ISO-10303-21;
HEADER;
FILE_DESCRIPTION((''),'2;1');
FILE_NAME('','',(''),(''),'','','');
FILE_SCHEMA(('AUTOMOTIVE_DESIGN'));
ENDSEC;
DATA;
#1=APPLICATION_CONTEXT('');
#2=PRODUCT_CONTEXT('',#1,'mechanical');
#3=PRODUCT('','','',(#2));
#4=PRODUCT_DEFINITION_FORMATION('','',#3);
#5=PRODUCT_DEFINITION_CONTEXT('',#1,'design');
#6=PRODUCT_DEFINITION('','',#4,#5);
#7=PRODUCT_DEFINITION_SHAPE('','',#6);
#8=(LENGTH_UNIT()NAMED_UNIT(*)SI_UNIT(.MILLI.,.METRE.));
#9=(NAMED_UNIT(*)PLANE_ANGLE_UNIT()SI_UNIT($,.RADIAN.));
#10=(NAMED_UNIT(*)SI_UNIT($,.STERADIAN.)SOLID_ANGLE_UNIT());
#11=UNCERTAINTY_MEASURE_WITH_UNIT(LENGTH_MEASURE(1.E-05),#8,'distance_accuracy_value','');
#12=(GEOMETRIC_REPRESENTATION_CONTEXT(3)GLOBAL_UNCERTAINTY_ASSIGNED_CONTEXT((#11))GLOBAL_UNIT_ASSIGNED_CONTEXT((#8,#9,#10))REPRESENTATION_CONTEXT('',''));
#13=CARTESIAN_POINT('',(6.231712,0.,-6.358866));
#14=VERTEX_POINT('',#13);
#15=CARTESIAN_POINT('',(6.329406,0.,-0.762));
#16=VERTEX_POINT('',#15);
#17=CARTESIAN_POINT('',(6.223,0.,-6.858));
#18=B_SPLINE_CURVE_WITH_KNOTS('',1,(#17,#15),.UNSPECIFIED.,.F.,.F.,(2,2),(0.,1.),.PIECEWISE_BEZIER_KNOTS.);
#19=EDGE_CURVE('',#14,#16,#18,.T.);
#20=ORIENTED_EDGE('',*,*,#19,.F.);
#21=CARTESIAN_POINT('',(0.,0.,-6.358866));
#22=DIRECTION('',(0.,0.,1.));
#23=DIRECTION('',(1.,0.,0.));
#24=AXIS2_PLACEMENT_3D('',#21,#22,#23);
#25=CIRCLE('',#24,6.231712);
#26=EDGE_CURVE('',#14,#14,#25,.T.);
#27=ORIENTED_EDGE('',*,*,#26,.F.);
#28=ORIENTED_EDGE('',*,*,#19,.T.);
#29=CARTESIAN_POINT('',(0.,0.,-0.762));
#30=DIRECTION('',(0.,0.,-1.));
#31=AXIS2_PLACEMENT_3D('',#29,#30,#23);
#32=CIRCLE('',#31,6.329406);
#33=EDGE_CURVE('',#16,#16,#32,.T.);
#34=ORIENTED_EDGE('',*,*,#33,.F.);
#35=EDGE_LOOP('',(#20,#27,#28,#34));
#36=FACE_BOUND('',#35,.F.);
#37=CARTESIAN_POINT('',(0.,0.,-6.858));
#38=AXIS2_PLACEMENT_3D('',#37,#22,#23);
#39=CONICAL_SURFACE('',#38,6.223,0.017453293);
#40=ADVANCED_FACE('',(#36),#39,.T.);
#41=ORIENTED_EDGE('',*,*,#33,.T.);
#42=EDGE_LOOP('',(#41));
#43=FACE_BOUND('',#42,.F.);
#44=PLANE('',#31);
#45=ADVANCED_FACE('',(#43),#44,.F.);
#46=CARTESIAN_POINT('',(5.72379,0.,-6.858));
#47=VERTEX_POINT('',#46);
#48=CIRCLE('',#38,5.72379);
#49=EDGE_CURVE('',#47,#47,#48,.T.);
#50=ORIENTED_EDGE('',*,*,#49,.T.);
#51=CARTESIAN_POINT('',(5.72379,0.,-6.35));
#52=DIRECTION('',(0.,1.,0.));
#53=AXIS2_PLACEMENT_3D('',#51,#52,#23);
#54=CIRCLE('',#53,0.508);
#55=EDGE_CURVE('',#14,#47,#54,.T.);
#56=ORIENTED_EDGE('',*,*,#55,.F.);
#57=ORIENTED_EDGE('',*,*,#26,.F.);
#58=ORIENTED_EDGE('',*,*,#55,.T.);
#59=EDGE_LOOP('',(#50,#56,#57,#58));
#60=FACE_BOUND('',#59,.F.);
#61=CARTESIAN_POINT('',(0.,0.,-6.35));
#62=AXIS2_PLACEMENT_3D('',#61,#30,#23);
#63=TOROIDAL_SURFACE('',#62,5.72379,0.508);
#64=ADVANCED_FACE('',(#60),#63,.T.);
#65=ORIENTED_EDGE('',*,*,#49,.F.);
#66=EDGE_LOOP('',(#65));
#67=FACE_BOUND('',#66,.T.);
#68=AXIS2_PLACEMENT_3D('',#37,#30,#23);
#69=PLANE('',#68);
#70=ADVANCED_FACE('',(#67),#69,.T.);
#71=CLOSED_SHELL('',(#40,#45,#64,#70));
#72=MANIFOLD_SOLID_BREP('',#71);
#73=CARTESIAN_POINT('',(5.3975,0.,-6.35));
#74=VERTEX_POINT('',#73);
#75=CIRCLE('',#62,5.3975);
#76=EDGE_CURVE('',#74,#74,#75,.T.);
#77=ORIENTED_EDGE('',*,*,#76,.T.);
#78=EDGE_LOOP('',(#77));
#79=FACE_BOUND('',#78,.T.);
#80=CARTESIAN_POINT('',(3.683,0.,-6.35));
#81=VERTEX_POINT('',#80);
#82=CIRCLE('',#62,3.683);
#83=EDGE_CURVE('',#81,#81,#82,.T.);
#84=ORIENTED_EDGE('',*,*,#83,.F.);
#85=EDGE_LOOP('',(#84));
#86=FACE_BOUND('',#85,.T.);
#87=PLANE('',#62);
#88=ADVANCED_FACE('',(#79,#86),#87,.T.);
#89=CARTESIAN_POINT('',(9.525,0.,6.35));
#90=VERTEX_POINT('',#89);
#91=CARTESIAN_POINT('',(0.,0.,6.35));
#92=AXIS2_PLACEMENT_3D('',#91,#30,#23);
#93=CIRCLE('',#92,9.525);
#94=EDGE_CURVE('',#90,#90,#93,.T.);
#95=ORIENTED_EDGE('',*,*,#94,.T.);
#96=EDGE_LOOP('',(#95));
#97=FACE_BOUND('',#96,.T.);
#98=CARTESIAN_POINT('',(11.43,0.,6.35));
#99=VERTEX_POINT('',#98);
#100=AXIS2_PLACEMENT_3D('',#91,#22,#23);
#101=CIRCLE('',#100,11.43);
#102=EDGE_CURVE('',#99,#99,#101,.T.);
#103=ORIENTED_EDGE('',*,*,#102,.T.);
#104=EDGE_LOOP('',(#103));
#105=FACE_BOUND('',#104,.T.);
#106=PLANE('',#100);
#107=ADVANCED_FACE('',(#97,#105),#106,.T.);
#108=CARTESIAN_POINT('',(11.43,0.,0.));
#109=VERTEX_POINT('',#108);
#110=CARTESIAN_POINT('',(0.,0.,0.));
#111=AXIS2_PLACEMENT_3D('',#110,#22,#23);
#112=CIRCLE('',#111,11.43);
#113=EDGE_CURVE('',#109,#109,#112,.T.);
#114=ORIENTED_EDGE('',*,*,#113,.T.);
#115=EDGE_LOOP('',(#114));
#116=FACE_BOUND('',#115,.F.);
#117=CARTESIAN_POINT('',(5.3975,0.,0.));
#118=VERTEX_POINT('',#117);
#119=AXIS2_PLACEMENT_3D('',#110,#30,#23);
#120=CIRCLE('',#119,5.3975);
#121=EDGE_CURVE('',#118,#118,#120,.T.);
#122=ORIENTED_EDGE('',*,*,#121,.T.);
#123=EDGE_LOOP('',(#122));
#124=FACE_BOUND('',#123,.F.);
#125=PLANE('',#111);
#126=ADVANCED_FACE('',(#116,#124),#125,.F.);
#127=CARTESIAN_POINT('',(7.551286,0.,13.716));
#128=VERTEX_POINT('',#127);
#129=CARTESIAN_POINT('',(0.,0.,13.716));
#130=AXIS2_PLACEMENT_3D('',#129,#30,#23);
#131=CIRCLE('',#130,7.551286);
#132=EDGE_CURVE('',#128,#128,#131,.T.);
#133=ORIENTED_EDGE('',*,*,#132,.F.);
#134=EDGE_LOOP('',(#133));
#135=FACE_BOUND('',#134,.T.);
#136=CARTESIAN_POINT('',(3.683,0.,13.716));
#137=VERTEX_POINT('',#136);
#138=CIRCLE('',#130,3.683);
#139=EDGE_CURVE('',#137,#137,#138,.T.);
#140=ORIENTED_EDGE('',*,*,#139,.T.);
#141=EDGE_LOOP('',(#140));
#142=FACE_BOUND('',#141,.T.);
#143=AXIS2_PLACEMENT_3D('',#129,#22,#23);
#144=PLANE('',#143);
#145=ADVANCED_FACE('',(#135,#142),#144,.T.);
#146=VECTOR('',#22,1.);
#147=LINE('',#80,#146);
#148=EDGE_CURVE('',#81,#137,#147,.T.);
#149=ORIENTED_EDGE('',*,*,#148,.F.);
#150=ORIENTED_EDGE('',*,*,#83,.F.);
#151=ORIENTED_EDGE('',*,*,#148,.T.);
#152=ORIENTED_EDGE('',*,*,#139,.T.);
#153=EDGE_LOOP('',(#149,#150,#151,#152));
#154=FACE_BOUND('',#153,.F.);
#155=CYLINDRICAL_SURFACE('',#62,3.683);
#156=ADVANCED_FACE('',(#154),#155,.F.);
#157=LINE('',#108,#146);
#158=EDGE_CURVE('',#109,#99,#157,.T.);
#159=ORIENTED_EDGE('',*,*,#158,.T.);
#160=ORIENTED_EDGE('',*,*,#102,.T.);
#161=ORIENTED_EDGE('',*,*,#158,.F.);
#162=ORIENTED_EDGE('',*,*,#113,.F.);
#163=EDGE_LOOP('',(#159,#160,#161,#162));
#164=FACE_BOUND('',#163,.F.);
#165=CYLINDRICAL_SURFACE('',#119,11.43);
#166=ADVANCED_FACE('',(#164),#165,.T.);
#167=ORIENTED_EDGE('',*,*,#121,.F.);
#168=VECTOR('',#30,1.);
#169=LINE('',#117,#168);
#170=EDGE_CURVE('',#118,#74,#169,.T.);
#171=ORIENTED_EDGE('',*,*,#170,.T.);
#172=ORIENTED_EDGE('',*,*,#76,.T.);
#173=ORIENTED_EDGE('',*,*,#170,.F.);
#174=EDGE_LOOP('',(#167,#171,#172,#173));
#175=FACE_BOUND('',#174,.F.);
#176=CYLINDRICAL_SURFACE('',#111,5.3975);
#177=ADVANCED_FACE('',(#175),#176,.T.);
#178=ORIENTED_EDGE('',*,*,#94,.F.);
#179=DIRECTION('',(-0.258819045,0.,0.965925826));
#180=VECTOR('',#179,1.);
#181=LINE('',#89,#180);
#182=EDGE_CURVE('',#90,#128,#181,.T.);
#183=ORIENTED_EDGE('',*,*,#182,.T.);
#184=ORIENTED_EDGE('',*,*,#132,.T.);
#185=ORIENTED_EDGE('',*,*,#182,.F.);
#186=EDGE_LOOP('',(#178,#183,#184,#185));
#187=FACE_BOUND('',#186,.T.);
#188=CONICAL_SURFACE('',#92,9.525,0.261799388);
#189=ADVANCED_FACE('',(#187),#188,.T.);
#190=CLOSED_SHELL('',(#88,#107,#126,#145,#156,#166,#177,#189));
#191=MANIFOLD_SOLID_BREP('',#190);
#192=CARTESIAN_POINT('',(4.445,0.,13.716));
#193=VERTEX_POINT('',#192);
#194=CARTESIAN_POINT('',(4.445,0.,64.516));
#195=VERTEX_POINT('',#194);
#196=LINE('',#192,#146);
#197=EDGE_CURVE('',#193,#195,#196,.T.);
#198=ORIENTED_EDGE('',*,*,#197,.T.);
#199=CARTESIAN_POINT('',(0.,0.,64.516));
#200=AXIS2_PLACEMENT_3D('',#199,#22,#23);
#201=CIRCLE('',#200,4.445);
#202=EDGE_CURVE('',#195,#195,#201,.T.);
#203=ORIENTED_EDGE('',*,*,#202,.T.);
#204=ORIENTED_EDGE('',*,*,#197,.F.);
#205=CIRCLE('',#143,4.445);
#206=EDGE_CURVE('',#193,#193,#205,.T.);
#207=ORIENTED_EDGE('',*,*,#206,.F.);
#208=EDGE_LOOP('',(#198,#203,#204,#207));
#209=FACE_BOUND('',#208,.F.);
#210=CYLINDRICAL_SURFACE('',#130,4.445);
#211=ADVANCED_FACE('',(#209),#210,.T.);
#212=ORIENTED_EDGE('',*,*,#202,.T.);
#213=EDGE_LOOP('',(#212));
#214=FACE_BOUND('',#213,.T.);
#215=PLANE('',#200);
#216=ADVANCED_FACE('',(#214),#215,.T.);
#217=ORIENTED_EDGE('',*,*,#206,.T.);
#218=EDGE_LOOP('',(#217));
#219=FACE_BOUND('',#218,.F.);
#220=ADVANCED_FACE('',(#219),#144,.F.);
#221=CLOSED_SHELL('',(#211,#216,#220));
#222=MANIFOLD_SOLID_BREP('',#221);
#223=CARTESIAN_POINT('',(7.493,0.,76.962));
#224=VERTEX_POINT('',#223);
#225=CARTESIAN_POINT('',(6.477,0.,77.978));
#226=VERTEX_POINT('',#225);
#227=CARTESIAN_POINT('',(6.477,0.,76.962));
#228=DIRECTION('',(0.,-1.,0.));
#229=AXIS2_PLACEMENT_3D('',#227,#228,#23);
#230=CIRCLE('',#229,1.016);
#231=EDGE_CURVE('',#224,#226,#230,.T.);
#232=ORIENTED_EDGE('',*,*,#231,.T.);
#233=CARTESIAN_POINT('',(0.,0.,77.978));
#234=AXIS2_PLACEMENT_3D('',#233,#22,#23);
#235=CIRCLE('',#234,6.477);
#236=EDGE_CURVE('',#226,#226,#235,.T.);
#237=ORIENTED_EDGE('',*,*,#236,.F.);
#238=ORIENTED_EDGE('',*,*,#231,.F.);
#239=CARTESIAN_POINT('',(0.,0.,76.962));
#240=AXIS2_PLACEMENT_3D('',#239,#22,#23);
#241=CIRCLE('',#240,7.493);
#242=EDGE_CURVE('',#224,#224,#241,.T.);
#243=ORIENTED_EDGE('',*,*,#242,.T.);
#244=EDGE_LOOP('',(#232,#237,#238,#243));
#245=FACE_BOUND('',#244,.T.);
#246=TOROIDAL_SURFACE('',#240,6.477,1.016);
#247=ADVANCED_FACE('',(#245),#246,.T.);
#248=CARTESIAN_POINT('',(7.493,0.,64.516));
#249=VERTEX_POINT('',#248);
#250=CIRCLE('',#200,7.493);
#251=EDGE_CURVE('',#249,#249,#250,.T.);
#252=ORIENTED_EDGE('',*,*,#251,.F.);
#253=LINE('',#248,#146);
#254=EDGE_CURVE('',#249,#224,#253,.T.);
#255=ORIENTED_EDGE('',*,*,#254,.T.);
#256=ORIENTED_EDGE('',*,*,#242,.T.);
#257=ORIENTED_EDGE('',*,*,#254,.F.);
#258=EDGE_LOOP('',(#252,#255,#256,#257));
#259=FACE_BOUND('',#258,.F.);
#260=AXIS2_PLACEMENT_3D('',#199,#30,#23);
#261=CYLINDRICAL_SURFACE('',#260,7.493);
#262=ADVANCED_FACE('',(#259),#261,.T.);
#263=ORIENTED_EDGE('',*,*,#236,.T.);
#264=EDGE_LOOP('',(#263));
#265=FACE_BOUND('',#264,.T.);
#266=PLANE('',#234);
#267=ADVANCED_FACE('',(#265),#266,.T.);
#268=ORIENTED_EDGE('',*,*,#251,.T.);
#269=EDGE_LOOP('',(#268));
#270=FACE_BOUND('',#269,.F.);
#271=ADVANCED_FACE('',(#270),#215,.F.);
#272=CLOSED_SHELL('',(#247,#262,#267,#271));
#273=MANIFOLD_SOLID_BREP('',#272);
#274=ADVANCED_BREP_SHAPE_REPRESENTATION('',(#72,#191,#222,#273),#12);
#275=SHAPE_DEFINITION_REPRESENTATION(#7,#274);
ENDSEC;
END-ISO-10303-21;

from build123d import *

# Parameters (mm, degrees)
F0_R      = 11.43
F1_DEPTH  = 6.35
F2_R      = 9.525
F3_DEPTH  = 7.366
F3_TAPER  = 15
F4_R      = 5.3975
F5_DEPTH  = 6.35
F6_R      = 3.683
F7_DEPTH  = 20.067
F8_R      = 4.445
F9_DEPTH  = 50.8
F10_R     = 7.493
F11_DEPTH = 13.462
F12_R     = 1.016
F14_R     = 6.223
F15_DEPTH = 6.096
F15_TAPER = -1
F16_R     = 0.508


with BuildPart() as f1:
    # F0 (on Top) → F1 (new body)
    with BuildSketch(Plane.XY):
        Circle(F0_R)
    extrude(amount=F1_DEPTH)

    # F2 (on face) → F3 (join)
    with BuildSketch(Plane.XY.offset(6.35)):
        Circle(F2_R)
    extrude(amount=F3_DEPTH, taper=F3_TAPER)

    # F4 (on face) → F5 (join)
    with BuildSketch(Plane(origin=(0, 0, 0), x_dir=(1, 0, 0), z_dir=(0, 0, -1))):
        Circle(F4_R)
    extrude(amount=F5_DEPTH)

    # F6 (on face) → F7 (cut, through all)
    with BuildSketch(Plane(origin=(0, 0, -6.35), x_dir=(1, 0, 0), z_dir=(0, 0, -1))):
        Circle(F6_R)
    extrude(amount=-F7_DEPTH, mode=Mode.SUBTRACT)


with BuildPart() as f9:
    # F8 (on face) → F9 (new body)
    with BuildSketch(Plane.XY.offset(13.716)):
        Circle(F8_R)
    extrude(amount=F9_DEPTH)


with BuildPart() as f11:
    # F10 (on face) → F11 (new body)
    with BuildSketch(Plane.XY.offset(64.516)):
        Circle(F10_R)
    extrude(amount=F11_DEPTH)

    # F12
    f12_edges = [f11.edges().sort_by_distance(p)[0] for p in [
        (-7.493, 0, 77.978),
    ]]
    fillet(f12_edges, radius=F12_R)


with BuildPart() as f15:
    # F14 (on offset) → F15 (new body)
    with BuildSketch(Plane(origin=(0, 0, -6.858), x_dir=(1, 0, 0), z_dir=(0, 0, -1))):
        Circle(F14_R)
    extrude(amount=-F15_DEPTH, taper=F15_TAPER)

    # F16
    f16_edges = [f15.edges().sort_by_distance(p)[0] for p in [
        (-6.223, 0, -6.858),
    ]]
    fillet(f16_edges, radius=F16_R)


solid = Compound([f1.part, f9.part, f11.part, f15.part])
